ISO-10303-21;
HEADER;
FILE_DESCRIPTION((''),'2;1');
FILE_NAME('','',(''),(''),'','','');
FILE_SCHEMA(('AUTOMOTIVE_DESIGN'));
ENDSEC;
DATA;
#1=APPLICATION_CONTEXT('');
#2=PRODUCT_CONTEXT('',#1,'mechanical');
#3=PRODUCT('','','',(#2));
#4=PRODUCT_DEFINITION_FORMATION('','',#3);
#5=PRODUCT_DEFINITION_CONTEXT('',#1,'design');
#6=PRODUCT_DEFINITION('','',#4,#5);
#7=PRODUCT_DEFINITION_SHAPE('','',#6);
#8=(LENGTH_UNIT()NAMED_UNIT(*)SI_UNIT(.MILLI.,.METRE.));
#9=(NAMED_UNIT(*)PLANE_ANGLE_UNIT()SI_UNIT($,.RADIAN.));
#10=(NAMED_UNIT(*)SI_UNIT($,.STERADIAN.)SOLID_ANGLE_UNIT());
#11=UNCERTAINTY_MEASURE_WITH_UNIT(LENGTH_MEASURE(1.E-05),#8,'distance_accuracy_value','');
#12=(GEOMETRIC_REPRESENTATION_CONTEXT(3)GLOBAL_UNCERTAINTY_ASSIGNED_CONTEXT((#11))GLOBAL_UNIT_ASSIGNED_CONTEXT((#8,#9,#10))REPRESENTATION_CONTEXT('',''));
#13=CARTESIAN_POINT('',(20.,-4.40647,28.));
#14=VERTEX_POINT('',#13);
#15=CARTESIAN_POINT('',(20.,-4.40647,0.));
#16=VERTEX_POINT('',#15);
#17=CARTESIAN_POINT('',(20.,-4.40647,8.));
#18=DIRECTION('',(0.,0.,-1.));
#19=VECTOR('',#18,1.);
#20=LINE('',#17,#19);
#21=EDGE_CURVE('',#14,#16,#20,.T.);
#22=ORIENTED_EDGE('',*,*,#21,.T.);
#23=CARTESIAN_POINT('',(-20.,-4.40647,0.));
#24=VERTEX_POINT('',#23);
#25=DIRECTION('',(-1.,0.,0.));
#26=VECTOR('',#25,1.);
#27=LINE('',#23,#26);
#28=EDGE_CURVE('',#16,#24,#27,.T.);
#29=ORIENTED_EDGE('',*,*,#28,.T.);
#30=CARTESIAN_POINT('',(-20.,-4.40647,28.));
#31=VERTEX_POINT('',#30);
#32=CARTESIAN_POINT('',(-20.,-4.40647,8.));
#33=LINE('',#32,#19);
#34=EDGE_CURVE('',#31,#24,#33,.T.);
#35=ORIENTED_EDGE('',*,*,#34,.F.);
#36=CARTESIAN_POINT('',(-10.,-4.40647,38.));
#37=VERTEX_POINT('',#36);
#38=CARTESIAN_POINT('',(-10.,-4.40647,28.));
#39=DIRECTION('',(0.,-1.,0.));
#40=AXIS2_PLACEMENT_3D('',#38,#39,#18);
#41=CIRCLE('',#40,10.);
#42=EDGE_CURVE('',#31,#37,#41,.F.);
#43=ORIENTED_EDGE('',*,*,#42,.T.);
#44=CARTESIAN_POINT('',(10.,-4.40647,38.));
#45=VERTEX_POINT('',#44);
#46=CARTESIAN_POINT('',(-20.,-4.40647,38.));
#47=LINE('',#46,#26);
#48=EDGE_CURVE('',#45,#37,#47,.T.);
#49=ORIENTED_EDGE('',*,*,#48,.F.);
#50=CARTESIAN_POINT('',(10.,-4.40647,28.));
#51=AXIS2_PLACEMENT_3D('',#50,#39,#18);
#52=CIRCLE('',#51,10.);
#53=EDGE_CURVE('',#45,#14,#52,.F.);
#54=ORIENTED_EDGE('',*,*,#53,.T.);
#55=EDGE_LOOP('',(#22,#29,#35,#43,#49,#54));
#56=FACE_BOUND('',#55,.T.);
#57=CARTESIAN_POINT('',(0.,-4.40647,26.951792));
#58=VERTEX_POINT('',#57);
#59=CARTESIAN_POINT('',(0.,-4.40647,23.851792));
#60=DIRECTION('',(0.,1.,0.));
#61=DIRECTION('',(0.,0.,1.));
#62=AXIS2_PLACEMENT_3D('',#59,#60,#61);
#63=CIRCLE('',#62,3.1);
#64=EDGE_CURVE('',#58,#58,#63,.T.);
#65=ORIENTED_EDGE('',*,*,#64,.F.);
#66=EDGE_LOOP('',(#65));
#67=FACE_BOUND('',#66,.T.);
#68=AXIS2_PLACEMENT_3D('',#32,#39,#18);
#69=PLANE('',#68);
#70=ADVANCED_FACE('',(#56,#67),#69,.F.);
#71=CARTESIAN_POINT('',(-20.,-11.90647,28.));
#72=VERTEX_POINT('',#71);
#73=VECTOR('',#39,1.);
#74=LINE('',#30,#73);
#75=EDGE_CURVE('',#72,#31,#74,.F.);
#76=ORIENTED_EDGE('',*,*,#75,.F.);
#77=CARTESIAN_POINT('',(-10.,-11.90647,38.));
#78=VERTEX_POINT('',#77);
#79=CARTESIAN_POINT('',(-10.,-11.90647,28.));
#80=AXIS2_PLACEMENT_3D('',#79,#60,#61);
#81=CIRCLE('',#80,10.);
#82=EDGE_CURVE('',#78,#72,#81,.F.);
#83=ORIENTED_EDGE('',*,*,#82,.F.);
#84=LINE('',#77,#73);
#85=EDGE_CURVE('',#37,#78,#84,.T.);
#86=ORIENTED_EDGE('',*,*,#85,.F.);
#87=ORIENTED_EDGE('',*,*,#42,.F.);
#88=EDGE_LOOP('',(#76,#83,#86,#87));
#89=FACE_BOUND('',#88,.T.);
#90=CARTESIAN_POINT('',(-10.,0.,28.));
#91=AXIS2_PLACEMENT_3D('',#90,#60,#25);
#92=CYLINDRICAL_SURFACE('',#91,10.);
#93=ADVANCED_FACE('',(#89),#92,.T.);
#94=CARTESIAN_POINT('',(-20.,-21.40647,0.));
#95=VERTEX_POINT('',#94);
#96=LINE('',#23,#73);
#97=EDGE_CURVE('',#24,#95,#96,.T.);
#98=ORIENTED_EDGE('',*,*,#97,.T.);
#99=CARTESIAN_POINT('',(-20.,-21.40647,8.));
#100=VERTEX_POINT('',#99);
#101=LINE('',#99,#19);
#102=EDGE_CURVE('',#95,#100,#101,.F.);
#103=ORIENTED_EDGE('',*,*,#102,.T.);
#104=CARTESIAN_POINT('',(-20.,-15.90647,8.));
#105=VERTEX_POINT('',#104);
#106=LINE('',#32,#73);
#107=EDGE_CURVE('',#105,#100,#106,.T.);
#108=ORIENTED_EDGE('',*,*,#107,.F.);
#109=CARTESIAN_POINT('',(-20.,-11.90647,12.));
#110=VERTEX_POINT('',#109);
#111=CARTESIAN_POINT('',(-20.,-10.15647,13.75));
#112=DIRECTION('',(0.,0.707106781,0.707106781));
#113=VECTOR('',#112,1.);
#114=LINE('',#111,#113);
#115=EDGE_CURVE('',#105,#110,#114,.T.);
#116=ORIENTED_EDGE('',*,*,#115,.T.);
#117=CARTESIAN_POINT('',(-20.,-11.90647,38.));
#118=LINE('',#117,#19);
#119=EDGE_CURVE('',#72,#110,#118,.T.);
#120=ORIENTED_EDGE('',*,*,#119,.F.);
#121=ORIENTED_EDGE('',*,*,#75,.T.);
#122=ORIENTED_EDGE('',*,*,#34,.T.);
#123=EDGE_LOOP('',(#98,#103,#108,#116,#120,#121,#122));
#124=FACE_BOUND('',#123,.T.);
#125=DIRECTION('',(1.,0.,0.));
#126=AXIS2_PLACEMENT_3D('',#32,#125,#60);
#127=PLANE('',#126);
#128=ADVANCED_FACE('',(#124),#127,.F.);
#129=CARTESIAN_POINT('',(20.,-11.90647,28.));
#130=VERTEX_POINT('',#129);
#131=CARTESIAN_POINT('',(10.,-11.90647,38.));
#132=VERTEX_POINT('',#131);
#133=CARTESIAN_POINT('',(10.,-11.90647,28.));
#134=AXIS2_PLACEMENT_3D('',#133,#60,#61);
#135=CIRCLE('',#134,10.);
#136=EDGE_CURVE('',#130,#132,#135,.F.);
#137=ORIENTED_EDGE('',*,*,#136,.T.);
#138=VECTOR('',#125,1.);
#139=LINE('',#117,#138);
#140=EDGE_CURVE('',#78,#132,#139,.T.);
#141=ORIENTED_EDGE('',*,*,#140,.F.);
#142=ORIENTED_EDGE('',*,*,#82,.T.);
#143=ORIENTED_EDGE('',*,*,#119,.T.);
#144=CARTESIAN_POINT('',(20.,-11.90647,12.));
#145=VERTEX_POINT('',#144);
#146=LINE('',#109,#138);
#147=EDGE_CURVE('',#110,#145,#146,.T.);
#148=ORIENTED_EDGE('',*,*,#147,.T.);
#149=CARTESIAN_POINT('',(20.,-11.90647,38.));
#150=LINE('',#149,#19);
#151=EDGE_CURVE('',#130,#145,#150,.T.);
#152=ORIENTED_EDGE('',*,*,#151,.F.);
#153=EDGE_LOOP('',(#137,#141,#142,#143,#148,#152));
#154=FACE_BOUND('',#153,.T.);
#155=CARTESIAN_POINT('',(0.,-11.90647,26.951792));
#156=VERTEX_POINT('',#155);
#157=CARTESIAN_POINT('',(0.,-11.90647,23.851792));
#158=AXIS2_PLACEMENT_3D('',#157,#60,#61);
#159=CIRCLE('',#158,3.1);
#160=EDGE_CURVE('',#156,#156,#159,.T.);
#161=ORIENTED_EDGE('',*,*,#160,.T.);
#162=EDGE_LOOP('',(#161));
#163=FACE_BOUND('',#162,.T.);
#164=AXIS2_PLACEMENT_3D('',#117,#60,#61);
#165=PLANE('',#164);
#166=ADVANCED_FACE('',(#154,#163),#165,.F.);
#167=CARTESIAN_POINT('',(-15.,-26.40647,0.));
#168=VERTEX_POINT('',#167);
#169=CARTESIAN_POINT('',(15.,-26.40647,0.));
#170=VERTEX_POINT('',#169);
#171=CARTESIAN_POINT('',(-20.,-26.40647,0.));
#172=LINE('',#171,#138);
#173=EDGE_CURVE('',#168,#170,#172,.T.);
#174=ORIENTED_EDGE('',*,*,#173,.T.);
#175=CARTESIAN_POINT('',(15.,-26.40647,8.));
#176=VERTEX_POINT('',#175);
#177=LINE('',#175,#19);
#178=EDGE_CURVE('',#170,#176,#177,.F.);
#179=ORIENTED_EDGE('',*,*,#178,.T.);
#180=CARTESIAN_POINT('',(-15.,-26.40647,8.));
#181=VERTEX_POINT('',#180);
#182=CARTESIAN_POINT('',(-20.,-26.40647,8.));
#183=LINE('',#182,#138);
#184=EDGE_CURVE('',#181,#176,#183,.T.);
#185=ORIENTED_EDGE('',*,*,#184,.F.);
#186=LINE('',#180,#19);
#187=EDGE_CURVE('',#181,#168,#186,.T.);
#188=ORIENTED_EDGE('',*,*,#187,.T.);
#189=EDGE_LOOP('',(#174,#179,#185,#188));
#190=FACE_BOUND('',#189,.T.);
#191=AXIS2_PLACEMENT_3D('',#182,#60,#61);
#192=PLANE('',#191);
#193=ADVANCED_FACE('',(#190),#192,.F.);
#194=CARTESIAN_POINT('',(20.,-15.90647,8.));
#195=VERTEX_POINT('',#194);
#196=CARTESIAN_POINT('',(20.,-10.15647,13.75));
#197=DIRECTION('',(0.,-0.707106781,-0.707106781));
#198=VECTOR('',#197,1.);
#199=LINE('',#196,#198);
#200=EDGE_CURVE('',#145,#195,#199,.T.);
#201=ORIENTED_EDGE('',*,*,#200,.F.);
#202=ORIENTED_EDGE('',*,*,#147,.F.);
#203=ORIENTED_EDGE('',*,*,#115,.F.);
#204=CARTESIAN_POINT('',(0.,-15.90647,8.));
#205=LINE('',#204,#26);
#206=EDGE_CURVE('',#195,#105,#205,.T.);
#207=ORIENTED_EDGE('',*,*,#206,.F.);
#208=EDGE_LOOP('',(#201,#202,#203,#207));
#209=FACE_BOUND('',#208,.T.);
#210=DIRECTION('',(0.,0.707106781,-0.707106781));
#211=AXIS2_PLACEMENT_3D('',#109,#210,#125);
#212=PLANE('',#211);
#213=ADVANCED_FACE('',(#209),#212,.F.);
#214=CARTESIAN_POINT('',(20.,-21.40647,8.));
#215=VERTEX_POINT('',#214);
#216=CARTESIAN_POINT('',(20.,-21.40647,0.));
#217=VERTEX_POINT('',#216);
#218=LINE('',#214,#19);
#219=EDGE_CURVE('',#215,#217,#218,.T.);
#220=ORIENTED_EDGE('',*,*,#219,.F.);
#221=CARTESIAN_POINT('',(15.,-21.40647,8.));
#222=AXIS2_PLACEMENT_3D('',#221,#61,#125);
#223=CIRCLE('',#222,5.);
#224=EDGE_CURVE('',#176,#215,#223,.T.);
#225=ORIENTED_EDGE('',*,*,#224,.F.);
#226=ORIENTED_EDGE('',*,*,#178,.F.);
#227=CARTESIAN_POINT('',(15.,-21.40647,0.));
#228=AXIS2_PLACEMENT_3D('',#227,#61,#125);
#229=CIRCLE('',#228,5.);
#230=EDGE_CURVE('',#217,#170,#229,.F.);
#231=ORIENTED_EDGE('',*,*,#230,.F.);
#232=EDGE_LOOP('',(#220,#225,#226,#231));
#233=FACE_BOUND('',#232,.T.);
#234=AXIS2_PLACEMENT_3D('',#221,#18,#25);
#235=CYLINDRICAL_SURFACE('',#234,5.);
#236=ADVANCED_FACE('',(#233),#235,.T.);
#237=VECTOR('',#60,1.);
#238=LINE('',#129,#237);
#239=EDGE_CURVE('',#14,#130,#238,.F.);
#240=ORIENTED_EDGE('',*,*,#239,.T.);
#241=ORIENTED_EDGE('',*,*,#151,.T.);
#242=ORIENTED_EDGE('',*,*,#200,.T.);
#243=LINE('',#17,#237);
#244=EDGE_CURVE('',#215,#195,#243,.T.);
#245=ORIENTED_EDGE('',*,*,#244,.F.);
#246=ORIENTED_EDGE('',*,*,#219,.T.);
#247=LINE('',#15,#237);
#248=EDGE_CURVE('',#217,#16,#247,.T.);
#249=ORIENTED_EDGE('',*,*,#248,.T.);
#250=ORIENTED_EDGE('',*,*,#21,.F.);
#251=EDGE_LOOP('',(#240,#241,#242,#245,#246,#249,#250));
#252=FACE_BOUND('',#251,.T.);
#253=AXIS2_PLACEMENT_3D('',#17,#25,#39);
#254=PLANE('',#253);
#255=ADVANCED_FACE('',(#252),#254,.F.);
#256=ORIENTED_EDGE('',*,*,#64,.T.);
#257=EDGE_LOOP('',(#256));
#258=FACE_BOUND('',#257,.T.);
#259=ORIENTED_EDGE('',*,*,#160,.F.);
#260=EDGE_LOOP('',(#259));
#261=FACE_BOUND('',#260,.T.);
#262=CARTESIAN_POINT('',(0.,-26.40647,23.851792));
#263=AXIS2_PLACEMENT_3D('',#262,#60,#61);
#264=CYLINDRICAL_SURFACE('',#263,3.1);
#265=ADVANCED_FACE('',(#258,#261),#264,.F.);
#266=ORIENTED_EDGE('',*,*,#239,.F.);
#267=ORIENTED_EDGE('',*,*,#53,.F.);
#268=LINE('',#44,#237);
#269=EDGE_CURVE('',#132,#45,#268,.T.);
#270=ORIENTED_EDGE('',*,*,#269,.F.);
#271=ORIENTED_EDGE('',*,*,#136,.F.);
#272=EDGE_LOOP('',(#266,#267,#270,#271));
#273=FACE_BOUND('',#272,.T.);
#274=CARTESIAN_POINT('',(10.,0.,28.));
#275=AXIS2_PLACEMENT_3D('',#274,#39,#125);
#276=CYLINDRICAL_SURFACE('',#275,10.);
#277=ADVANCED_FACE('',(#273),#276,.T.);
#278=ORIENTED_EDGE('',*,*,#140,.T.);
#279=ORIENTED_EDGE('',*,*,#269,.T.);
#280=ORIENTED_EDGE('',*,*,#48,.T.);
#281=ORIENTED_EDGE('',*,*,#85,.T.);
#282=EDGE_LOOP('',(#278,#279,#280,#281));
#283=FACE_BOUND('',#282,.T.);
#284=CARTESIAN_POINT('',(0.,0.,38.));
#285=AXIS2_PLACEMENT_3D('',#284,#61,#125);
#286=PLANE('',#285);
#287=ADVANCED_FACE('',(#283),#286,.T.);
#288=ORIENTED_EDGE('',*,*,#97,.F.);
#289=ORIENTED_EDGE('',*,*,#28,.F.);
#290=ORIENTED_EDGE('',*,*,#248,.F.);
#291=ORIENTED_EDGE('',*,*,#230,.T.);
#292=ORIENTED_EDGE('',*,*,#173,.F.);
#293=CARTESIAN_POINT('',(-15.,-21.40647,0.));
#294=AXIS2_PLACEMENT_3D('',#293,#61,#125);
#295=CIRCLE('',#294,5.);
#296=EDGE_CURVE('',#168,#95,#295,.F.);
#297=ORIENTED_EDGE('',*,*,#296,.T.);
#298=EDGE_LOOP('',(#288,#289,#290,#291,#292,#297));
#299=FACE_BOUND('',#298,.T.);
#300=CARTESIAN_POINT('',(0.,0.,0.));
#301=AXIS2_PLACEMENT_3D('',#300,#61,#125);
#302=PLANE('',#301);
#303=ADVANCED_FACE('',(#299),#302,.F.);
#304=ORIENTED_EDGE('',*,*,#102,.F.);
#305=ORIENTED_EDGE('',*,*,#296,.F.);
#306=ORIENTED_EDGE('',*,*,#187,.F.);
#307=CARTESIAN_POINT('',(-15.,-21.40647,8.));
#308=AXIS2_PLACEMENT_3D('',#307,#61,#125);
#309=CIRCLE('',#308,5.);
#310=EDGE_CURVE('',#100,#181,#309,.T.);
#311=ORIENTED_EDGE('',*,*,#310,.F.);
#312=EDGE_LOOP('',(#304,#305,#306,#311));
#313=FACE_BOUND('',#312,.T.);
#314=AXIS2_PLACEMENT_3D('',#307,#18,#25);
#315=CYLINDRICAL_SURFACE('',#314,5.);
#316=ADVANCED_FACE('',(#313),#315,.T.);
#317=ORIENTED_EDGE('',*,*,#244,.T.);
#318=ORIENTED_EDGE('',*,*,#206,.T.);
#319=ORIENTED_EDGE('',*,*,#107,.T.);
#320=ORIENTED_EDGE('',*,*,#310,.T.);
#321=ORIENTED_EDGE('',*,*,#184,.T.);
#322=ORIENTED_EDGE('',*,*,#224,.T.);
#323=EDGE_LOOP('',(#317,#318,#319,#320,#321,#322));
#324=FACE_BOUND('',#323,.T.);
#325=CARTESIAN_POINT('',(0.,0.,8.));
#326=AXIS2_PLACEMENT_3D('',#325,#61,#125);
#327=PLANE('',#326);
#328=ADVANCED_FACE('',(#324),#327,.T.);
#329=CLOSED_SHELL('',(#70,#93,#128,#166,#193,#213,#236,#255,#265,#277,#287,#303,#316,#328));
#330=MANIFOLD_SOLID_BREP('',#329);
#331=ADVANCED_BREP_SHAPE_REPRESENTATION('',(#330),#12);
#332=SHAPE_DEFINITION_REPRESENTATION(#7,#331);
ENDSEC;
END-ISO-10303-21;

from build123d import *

# Parameters (mm, degrees)
SKETCH1_W           = 40
SKETCH1_H           = 22
BOSS_EXTRUDE1_DEPTH = 8
SKETCH2_W           = 40
SKETCH2_H           = 7.5
BOSS_EXTRUDE2_DEPTH = 30
CHAMFER1_SIZE       = 4
FILLET1_R           = 10
FILLET2_R           = 5
SKETCH3_R           = 3.1
CUT_EXTRUDE1_DEPTH  = 49.249352327


with BuildPart() as part:
    # Sketch1 → Boss-Extrude1 (new body)
    with BuildSketch(Plane.XY):
        with Locations((0, -15.406470283)):
            Rectangle(SKETCH1_W, SKETCH1_H)
    extrude(amount=BOSS_EXTRUDE1_DEPTH)

    # Sketch2 → Boss-Extrude2 (add)
    with BuildSketch(Plane.XY.offset(8)):
        with Locations((0, -8.156470283)):
            Rectangle(SKETCH2_W, SKETCH2_H)
    extrude(amount=BOSS_EXTRUDE2_DEPTH)

    # Chamfer1
    chamfer1_edges = [part.edges().sort_by_distance(p)[0] for p in [
        (0, -11.906470283, 8),
    ]]
    chamfer(chamfer1_edges, length=CHAMFER1_SIZE)

    # Fillet1
    fillet1_edges = [part.edges().sort_by_distance(p)[0] for p in [
        (-20, -8.156470283, 38),
        (20, -8.156470283, 38),
    ]]
    fillet(fillet1_edges, radius=FILLET1_R)

    # Fillet2
    fillet2_edges = [part.edges().sort_by_distance(p)[0] for p in [
        (20, -26.406470283, 4),
        (-20, -26.406470283, 4),
    ]]
    fillet(fillet2_edges, radius=FILLET2_R)

    # Sketch3 → Cut-Extrude1 (cut, through all)
    with BuildSketch(Plane(origin=(0, -4.406470283, 0), x_dir=(1, 0, 0), z_dir=(0, 1, 0))):
        with Locations(Location((0, -23.851791769, 0), (0, 0, 270))):
            Circle(SKETCH3_R)
    extrude(amount=-CUT_EXTRUDE1_DEPTH, mode=Mode.SUBTRACT)


solid = part.part
